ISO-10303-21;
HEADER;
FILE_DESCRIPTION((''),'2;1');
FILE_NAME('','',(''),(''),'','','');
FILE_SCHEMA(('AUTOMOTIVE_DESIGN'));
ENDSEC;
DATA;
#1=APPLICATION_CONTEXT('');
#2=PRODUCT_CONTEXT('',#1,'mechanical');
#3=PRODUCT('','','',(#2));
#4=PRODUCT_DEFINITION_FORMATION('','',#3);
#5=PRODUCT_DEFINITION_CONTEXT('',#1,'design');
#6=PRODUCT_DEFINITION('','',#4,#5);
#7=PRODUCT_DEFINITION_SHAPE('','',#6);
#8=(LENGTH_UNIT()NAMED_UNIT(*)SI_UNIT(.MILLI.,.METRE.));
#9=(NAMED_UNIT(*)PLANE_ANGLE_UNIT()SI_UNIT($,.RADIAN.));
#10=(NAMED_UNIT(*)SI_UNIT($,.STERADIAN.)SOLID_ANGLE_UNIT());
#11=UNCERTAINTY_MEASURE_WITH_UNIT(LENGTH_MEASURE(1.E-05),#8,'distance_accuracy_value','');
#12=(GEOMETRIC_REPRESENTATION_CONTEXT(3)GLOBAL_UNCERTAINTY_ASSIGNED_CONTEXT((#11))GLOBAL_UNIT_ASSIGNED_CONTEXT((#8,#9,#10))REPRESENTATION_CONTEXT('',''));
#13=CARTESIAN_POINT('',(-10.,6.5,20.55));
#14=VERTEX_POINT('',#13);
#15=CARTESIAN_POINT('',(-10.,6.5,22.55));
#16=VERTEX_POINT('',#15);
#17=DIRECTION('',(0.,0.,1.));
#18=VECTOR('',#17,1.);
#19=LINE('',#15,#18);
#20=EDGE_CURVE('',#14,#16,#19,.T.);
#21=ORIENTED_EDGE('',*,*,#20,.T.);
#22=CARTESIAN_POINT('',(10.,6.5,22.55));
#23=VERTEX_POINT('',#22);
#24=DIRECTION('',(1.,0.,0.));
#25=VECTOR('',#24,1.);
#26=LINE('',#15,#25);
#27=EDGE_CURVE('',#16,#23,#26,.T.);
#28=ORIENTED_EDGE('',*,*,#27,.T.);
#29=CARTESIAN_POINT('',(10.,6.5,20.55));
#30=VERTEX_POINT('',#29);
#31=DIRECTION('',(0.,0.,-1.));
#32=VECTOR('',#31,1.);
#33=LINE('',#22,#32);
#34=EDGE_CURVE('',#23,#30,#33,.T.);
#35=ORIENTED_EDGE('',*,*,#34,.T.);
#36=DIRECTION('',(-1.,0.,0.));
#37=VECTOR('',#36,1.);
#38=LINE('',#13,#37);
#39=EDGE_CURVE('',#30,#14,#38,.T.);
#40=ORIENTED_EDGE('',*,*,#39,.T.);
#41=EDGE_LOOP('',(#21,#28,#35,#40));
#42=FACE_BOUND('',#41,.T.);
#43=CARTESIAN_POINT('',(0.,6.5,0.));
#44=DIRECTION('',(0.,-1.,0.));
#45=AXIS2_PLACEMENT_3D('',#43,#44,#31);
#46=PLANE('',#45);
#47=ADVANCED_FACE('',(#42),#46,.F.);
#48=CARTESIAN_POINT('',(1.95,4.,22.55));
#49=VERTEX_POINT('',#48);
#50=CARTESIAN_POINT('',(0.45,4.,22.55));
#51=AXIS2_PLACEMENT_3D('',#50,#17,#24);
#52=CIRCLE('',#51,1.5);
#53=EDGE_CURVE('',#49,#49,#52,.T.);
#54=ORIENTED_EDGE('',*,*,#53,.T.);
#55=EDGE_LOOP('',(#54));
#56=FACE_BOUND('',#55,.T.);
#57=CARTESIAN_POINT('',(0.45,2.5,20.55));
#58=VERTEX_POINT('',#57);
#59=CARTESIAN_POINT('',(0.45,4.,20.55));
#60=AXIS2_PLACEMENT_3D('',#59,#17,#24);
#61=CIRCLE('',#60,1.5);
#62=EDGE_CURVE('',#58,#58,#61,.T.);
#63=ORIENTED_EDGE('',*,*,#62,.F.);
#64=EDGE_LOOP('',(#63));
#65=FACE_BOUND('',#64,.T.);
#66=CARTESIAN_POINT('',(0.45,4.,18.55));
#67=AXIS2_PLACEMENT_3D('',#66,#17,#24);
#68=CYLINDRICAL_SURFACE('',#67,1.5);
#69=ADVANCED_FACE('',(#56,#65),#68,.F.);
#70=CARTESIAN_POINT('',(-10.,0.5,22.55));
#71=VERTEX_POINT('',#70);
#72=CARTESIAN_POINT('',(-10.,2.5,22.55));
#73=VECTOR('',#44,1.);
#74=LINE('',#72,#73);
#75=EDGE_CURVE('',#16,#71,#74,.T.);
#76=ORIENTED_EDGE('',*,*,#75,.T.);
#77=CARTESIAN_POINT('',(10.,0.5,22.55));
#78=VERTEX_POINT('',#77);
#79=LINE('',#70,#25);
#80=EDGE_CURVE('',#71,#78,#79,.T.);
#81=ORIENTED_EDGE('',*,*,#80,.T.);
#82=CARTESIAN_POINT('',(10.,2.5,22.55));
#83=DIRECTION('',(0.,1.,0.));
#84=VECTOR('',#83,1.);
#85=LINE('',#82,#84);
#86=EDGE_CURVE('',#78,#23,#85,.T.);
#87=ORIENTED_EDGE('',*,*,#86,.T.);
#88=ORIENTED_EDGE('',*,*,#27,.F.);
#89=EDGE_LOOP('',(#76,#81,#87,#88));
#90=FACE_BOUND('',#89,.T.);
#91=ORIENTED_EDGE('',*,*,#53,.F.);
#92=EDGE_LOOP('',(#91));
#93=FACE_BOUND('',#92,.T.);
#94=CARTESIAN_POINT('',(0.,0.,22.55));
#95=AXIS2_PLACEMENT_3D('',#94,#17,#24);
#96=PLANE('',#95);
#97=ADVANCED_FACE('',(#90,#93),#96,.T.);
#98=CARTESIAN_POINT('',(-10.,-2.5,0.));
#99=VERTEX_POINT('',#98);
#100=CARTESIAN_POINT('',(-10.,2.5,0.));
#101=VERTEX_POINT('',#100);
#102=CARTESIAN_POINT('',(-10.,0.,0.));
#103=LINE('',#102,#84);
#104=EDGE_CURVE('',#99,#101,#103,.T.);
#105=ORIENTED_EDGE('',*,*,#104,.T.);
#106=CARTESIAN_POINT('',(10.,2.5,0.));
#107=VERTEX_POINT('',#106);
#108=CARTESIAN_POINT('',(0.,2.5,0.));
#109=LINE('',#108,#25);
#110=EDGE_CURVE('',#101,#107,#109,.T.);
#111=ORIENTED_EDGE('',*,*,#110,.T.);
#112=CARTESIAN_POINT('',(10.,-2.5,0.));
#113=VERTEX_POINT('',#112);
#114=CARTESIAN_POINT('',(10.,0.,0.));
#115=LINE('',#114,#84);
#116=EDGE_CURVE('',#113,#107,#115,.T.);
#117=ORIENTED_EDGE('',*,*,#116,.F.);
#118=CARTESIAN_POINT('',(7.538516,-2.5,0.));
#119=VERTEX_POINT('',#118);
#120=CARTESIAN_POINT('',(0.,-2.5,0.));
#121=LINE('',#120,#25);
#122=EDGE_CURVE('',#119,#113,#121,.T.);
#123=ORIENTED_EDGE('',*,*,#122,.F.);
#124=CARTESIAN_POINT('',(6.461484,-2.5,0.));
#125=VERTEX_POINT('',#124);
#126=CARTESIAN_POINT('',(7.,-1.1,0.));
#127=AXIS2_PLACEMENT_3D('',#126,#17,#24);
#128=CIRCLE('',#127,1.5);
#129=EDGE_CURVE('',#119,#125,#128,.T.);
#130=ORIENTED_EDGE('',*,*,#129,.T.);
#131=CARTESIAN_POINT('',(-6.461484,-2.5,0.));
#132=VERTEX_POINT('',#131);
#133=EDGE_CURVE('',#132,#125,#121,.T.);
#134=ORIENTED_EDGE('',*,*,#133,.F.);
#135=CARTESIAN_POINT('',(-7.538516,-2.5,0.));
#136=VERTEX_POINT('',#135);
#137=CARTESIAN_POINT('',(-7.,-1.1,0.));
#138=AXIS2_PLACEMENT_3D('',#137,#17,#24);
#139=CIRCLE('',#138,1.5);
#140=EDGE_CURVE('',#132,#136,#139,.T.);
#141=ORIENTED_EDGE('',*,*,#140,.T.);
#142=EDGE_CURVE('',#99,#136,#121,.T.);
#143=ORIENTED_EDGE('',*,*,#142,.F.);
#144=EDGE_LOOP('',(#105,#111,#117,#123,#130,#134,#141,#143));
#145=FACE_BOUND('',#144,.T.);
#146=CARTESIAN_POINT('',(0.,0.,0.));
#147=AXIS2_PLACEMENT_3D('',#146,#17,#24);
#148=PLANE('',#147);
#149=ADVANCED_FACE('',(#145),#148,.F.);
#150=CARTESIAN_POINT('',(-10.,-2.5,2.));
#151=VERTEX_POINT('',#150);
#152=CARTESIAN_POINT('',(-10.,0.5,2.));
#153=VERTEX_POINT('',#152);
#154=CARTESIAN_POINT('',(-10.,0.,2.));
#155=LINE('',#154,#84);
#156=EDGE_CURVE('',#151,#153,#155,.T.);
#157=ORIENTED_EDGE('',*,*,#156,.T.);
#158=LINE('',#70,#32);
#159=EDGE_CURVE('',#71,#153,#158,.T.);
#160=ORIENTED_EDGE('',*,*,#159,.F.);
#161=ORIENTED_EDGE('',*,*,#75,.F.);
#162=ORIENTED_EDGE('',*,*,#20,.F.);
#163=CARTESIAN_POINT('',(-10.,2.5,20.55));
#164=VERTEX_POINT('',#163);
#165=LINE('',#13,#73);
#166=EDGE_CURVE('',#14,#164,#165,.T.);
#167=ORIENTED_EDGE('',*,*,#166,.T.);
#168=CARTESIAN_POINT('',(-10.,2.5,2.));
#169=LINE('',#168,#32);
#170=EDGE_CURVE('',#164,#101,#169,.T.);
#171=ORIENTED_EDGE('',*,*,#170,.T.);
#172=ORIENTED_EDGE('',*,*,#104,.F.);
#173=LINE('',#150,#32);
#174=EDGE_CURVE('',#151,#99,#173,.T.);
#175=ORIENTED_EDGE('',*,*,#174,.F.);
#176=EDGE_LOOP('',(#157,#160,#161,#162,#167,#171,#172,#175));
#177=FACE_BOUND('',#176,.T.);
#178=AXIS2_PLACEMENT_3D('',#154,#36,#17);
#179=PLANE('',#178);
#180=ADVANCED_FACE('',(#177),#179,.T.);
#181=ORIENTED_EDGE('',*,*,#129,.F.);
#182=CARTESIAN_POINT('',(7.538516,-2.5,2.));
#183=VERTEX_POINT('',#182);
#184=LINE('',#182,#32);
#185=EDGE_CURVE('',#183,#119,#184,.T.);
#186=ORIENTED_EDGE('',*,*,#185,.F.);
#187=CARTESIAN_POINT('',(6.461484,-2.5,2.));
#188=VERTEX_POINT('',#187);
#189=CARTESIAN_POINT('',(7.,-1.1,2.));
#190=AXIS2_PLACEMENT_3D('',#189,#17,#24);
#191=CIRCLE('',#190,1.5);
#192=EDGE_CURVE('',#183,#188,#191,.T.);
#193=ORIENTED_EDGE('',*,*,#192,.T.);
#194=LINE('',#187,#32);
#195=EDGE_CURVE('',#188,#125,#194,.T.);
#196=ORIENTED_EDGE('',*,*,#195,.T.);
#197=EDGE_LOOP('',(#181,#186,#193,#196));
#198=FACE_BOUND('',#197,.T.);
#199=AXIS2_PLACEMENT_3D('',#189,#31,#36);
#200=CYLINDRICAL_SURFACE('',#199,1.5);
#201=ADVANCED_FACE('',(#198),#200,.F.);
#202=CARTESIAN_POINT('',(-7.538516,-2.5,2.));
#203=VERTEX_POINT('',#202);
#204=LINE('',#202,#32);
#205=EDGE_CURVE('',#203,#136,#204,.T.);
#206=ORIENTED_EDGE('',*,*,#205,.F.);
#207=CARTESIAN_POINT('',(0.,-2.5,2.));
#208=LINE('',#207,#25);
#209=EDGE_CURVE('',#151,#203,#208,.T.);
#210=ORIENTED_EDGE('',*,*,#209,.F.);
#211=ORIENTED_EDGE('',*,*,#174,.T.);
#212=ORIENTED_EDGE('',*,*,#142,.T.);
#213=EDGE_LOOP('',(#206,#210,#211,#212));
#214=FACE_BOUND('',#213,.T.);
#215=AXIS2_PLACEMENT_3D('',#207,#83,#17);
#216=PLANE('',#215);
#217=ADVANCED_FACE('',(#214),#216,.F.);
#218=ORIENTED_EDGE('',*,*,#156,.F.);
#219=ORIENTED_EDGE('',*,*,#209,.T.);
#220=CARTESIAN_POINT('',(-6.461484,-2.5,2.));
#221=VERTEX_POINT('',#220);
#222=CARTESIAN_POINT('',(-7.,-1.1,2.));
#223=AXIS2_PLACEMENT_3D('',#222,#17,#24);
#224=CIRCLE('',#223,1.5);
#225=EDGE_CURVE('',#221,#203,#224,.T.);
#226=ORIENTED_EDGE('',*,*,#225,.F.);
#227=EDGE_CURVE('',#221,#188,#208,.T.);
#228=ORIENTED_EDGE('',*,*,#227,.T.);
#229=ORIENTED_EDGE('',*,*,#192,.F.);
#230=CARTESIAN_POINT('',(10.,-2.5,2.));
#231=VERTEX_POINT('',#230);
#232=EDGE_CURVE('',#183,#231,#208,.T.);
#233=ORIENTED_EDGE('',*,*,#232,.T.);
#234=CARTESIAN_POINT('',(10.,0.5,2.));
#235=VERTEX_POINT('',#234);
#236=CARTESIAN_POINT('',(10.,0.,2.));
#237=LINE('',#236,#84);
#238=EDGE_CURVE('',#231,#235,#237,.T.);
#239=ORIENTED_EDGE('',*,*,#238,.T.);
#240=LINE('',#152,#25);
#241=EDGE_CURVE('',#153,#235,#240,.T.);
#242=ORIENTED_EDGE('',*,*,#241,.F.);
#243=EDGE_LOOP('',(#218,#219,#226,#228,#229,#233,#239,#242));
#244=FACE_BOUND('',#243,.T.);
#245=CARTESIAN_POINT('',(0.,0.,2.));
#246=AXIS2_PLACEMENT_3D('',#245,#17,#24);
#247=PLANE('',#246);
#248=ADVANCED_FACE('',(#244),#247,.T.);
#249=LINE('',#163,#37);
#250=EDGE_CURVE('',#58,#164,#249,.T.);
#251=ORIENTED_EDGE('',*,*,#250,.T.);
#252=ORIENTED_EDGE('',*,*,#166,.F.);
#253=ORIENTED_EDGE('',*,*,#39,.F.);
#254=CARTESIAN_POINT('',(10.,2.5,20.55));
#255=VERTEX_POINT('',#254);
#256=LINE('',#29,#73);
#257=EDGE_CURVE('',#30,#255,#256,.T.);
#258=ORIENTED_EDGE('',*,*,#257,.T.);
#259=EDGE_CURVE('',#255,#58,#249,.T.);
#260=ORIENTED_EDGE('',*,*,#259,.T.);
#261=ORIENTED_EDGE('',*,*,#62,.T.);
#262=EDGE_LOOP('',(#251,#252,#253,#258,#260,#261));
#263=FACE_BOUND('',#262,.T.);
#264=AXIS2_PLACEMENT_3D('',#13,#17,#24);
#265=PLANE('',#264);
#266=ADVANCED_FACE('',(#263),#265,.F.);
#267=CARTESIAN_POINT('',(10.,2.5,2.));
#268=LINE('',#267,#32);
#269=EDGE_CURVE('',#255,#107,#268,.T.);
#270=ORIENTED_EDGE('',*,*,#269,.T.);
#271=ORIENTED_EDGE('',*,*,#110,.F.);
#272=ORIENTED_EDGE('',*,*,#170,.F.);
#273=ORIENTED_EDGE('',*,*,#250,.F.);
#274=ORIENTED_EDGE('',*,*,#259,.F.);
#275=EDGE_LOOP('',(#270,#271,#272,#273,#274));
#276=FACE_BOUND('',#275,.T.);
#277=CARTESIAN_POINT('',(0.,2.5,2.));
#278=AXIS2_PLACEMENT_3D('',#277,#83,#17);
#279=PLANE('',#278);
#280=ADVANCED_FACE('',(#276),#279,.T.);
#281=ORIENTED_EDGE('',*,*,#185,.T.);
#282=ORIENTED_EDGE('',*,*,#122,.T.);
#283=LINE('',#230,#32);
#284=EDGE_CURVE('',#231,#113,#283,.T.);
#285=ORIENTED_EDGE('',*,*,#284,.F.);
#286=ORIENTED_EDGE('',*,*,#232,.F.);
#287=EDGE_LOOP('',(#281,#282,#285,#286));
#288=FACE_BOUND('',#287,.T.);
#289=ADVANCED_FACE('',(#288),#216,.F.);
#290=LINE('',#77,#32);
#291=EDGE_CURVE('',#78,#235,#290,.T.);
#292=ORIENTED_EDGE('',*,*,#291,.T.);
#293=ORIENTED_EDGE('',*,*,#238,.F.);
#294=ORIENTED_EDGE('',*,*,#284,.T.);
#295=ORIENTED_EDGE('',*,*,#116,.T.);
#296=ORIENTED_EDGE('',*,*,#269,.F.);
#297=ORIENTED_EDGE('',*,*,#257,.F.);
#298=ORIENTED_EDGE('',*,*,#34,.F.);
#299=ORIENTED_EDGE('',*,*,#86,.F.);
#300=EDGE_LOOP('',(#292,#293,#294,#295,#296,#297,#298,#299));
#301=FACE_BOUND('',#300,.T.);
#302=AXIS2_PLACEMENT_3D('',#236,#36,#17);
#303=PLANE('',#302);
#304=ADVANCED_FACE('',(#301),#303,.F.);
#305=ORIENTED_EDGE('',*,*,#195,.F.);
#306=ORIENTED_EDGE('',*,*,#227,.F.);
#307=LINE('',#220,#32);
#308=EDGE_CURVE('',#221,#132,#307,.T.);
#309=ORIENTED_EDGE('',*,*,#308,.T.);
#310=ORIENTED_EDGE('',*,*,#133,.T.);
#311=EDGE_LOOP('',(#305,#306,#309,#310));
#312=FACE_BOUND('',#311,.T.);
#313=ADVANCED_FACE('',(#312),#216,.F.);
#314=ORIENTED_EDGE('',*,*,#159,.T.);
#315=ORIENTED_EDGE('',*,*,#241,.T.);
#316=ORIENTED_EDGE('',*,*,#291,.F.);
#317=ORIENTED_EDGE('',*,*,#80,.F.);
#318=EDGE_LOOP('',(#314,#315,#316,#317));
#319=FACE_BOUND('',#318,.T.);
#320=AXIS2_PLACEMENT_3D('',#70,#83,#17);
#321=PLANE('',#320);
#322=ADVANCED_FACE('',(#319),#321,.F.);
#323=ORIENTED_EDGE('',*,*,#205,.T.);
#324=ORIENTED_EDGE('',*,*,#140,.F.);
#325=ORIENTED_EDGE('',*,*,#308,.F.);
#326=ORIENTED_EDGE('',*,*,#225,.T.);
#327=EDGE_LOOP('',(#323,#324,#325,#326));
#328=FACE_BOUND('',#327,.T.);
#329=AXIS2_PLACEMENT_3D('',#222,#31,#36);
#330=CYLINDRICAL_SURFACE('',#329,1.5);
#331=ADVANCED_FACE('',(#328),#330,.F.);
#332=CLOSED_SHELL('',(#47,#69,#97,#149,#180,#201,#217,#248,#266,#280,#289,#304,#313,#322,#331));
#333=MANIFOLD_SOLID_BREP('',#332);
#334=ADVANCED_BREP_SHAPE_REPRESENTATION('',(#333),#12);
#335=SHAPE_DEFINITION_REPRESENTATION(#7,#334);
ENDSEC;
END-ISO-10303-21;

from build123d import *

# Parameters (mm, degrees)
BOSS_EXTRU_2_DEPTH      = 2
ESQUISSE2_W             = 20
ESQUISSE2_H             = 2
BOSS_EXTRU_3_DEPTH      = 20.55
ESQUISSE3_W             = 20
ESQUISSE3_H             = 2
BOSS_EXTRU_4_DEPTH      = 4
ESQUISSE4_R             = 1.5
ENL_V_MAT_EXTRU_1_DEPTH = 4


with BuildPart() as part:
    # Esquisse1 → Boss.-Extru.2 (new body)
    with BuildSketch(Plane.XY):
        with BuildLine():
            Line((-10, 2.5), (-10, -2.5))
            Line((-10, -2.5), (-7.538516481, -2.5))
            ThreePointArc((-7.538516481, -2.5), (-7.849183513, 0.136481848), (-5.5, -1.1))
            ThreePointArc((-5.5, -1.1), (-5.763518152, -1.949183513), (-6.461483519, -2.5))
            Line((-6.461483519, -2.5), (6.461483519, -2.5))
            ThreePointArc((6.461483519, -2.5), (6.150816487, 0.136481848), (8.5, -1.1))
            ThreePointArc((8.5, -1.1), (8.236481848, -1.949183513), (7.538516481, -2.5))
            Line((7.538516481, -2.5), (10, -2.5))
            Line((10, -2.5), (10, 2.5))
            Line((10, 2.5), (-10, 2.5))
        make_face()
    extrude(amount=BOSS_EXTRU_2_DEPTH)

    # Esquisse2 → Boss.-Extru.3 (add)
    with BuildSketch(Plane.XY.offset(2)):
        with Locations((0, 1.5)):
            Rectangle(ESQUISSE2_W, ESQUISSE2_H)
    extrude(amount=BOSS_EXTRU_3_DEPTH)

    # Esquisse3 → Boss.-Extru.4 (add)
    with BuildSketch(Plane(origin=(0, 2.5, 0), x_dir=(1, 0, 0), z_dir=(0, 1, 0))):
        with Locations((0, -21.55)):
            Rectangle(ESQUISSE3_W, ESQUISSE3_H)
    extrude(amount=BOSS_EXTRU_4_DEPTH)

    # Esquisse4 → Enlèv. mat.-Extru.1 (cut)
    with BuildSketch(Plane.XY.offset(22.55)):
        with Locations((0.45, 4)):
            Circle(ESQUISSE4_R)
    extrude(amount=-ENL_V_MAT_EXTRU_1_DEPTH, mode=Mode.SUBTRACT)


solid = part.part
